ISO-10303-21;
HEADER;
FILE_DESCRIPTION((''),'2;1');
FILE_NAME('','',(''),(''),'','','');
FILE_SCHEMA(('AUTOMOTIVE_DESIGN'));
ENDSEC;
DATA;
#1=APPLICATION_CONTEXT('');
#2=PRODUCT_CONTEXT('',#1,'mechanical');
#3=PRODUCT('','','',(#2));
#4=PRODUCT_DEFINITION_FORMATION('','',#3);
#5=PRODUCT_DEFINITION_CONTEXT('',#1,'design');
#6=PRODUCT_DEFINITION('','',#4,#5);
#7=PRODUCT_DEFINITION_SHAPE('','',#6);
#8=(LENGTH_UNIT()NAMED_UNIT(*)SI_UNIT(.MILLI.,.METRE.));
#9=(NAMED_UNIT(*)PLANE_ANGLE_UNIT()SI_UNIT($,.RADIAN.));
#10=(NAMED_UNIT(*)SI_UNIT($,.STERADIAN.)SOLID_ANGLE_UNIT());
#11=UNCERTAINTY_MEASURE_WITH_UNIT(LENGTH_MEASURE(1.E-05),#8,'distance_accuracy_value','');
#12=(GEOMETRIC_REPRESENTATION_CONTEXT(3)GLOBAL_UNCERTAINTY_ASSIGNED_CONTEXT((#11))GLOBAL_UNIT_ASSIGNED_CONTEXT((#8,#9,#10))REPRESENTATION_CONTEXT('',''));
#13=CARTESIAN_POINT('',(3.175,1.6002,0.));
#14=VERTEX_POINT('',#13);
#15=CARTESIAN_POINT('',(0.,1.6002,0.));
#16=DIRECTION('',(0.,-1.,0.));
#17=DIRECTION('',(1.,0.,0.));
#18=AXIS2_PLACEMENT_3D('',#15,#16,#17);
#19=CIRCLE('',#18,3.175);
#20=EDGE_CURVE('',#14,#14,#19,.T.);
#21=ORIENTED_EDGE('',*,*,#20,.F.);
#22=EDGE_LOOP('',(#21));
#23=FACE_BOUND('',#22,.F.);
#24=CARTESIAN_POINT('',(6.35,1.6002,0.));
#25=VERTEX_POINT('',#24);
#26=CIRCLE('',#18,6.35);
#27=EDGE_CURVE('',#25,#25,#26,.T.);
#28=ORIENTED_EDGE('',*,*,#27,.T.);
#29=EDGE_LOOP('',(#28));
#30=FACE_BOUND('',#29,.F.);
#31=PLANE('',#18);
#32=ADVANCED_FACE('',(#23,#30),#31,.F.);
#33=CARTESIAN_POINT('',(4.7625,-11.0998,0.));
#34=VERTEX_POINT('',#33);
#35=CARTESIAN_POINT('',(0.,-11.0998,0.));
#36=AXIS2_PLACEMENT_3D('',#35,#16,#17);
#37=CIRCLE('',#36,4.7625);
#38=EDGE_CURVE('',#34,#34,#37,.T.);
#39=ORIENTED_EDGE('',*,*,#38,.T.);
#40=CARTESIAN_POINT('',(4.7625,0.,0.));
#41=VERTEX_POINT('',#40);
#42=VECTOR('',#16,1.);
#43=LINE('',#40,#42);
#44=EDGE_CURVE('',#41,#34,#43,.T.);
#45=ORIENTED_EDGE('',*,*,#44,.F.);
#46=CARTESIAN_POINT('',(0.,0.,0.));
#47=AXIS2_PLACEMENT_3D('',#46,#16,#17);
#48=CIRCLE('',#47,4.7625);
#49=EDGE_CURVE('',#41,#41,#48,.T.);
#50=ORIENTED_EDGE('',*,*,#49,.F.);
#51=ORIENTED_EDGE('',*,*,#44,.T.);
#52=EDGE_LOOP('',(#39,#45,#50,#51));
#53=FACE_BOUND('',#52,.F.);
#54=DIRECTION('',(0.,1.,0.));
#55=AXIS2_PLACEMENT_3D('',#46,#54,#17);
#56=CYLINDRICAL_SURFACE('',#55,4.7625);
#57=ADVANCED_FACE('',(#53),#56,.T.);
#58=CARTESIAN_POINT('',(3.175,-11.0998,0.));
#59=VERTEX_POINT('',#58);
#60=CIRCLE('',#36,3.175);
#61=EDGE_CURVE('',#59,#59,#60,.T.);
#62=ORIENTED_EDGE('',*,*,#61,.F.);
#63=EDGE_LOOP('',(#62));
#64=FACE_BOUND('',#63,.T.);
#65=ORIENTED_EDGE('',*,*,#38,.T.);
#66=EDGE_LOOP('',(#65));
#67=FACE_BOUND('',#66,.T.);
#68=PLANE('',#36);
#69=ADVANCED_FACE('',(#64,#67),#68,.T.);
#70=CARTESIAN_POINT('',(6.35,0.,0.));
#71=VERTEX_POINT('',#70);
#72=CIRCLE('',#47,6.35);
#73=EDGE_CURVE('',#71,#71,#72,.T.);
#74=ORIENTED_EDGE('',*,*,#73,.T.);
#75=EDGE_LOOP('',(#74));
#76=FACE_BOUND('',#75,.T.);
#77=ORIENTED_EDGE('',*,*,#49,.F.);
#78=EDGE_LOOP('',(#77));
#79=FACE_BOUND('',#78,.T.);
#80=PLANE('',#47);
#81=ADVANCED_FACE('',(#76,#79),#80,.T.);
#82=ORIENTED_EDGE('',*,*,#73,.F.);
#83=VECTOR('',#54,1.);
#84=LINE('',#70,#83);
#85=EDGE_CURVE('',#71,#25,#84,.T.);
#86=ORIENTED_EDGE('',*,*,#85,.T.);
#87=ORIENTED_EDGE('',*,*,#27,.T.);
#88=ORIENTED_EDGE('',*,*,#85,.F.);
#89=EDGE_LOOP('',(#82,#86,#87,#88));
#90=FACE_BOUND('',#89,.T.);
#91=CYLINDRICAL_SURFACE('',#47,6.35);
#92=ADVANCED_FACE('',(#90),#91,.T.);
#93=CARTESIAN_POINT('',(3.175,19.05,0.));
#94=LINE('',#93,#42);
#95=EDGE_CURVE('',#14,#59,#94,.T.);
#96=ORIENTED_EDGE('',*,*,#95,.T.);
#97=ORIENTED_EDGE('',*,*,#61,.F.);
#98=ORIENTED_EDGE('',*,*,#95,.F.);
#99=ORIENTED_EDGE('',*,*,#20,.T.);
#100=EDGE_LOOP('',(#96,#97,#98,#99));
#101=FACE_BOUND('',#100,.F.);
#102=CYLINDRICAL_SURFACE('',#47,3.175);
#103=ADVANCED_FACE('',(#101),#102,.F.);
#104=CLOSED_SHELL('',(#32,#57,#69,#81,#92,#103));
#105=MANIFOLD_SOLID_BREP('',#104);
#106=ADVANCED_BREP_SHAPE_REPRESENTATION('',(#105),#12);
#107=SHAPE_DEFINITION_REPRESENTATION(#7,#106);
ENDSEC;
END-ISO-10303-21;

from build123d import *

# Parameters (mm, degrees)
F0_R     = 6.35
F1_DEPTH = 1.6002
F2_R     = 4.7625
F3_DEPTH = 11.0998
F4_R     = 3.175
F5_DEPTH = 19.05


with BuildPart() as f1:
    # F0 (on Front) → F1 (new body)
    with BuildSketch(Plane.XZ):
        Circle(F0_R)
    extrude(amount=-F1_DEPTH)

    # F2 (on face) → F3 (join)
    with BuildSketch(Plane.XZ):
        Circle(F2_R)
    extrude(amount=F3_DEPTH)

    # F4 (on face) → F5 (cut, symmetric)
    with BuildSketch(Plane.XZ):
        Circle(F4_R)
    extrude(amount=F5_DEPTH, both=True, mode=Mode.SUBTRACT)


solid = f1.part
